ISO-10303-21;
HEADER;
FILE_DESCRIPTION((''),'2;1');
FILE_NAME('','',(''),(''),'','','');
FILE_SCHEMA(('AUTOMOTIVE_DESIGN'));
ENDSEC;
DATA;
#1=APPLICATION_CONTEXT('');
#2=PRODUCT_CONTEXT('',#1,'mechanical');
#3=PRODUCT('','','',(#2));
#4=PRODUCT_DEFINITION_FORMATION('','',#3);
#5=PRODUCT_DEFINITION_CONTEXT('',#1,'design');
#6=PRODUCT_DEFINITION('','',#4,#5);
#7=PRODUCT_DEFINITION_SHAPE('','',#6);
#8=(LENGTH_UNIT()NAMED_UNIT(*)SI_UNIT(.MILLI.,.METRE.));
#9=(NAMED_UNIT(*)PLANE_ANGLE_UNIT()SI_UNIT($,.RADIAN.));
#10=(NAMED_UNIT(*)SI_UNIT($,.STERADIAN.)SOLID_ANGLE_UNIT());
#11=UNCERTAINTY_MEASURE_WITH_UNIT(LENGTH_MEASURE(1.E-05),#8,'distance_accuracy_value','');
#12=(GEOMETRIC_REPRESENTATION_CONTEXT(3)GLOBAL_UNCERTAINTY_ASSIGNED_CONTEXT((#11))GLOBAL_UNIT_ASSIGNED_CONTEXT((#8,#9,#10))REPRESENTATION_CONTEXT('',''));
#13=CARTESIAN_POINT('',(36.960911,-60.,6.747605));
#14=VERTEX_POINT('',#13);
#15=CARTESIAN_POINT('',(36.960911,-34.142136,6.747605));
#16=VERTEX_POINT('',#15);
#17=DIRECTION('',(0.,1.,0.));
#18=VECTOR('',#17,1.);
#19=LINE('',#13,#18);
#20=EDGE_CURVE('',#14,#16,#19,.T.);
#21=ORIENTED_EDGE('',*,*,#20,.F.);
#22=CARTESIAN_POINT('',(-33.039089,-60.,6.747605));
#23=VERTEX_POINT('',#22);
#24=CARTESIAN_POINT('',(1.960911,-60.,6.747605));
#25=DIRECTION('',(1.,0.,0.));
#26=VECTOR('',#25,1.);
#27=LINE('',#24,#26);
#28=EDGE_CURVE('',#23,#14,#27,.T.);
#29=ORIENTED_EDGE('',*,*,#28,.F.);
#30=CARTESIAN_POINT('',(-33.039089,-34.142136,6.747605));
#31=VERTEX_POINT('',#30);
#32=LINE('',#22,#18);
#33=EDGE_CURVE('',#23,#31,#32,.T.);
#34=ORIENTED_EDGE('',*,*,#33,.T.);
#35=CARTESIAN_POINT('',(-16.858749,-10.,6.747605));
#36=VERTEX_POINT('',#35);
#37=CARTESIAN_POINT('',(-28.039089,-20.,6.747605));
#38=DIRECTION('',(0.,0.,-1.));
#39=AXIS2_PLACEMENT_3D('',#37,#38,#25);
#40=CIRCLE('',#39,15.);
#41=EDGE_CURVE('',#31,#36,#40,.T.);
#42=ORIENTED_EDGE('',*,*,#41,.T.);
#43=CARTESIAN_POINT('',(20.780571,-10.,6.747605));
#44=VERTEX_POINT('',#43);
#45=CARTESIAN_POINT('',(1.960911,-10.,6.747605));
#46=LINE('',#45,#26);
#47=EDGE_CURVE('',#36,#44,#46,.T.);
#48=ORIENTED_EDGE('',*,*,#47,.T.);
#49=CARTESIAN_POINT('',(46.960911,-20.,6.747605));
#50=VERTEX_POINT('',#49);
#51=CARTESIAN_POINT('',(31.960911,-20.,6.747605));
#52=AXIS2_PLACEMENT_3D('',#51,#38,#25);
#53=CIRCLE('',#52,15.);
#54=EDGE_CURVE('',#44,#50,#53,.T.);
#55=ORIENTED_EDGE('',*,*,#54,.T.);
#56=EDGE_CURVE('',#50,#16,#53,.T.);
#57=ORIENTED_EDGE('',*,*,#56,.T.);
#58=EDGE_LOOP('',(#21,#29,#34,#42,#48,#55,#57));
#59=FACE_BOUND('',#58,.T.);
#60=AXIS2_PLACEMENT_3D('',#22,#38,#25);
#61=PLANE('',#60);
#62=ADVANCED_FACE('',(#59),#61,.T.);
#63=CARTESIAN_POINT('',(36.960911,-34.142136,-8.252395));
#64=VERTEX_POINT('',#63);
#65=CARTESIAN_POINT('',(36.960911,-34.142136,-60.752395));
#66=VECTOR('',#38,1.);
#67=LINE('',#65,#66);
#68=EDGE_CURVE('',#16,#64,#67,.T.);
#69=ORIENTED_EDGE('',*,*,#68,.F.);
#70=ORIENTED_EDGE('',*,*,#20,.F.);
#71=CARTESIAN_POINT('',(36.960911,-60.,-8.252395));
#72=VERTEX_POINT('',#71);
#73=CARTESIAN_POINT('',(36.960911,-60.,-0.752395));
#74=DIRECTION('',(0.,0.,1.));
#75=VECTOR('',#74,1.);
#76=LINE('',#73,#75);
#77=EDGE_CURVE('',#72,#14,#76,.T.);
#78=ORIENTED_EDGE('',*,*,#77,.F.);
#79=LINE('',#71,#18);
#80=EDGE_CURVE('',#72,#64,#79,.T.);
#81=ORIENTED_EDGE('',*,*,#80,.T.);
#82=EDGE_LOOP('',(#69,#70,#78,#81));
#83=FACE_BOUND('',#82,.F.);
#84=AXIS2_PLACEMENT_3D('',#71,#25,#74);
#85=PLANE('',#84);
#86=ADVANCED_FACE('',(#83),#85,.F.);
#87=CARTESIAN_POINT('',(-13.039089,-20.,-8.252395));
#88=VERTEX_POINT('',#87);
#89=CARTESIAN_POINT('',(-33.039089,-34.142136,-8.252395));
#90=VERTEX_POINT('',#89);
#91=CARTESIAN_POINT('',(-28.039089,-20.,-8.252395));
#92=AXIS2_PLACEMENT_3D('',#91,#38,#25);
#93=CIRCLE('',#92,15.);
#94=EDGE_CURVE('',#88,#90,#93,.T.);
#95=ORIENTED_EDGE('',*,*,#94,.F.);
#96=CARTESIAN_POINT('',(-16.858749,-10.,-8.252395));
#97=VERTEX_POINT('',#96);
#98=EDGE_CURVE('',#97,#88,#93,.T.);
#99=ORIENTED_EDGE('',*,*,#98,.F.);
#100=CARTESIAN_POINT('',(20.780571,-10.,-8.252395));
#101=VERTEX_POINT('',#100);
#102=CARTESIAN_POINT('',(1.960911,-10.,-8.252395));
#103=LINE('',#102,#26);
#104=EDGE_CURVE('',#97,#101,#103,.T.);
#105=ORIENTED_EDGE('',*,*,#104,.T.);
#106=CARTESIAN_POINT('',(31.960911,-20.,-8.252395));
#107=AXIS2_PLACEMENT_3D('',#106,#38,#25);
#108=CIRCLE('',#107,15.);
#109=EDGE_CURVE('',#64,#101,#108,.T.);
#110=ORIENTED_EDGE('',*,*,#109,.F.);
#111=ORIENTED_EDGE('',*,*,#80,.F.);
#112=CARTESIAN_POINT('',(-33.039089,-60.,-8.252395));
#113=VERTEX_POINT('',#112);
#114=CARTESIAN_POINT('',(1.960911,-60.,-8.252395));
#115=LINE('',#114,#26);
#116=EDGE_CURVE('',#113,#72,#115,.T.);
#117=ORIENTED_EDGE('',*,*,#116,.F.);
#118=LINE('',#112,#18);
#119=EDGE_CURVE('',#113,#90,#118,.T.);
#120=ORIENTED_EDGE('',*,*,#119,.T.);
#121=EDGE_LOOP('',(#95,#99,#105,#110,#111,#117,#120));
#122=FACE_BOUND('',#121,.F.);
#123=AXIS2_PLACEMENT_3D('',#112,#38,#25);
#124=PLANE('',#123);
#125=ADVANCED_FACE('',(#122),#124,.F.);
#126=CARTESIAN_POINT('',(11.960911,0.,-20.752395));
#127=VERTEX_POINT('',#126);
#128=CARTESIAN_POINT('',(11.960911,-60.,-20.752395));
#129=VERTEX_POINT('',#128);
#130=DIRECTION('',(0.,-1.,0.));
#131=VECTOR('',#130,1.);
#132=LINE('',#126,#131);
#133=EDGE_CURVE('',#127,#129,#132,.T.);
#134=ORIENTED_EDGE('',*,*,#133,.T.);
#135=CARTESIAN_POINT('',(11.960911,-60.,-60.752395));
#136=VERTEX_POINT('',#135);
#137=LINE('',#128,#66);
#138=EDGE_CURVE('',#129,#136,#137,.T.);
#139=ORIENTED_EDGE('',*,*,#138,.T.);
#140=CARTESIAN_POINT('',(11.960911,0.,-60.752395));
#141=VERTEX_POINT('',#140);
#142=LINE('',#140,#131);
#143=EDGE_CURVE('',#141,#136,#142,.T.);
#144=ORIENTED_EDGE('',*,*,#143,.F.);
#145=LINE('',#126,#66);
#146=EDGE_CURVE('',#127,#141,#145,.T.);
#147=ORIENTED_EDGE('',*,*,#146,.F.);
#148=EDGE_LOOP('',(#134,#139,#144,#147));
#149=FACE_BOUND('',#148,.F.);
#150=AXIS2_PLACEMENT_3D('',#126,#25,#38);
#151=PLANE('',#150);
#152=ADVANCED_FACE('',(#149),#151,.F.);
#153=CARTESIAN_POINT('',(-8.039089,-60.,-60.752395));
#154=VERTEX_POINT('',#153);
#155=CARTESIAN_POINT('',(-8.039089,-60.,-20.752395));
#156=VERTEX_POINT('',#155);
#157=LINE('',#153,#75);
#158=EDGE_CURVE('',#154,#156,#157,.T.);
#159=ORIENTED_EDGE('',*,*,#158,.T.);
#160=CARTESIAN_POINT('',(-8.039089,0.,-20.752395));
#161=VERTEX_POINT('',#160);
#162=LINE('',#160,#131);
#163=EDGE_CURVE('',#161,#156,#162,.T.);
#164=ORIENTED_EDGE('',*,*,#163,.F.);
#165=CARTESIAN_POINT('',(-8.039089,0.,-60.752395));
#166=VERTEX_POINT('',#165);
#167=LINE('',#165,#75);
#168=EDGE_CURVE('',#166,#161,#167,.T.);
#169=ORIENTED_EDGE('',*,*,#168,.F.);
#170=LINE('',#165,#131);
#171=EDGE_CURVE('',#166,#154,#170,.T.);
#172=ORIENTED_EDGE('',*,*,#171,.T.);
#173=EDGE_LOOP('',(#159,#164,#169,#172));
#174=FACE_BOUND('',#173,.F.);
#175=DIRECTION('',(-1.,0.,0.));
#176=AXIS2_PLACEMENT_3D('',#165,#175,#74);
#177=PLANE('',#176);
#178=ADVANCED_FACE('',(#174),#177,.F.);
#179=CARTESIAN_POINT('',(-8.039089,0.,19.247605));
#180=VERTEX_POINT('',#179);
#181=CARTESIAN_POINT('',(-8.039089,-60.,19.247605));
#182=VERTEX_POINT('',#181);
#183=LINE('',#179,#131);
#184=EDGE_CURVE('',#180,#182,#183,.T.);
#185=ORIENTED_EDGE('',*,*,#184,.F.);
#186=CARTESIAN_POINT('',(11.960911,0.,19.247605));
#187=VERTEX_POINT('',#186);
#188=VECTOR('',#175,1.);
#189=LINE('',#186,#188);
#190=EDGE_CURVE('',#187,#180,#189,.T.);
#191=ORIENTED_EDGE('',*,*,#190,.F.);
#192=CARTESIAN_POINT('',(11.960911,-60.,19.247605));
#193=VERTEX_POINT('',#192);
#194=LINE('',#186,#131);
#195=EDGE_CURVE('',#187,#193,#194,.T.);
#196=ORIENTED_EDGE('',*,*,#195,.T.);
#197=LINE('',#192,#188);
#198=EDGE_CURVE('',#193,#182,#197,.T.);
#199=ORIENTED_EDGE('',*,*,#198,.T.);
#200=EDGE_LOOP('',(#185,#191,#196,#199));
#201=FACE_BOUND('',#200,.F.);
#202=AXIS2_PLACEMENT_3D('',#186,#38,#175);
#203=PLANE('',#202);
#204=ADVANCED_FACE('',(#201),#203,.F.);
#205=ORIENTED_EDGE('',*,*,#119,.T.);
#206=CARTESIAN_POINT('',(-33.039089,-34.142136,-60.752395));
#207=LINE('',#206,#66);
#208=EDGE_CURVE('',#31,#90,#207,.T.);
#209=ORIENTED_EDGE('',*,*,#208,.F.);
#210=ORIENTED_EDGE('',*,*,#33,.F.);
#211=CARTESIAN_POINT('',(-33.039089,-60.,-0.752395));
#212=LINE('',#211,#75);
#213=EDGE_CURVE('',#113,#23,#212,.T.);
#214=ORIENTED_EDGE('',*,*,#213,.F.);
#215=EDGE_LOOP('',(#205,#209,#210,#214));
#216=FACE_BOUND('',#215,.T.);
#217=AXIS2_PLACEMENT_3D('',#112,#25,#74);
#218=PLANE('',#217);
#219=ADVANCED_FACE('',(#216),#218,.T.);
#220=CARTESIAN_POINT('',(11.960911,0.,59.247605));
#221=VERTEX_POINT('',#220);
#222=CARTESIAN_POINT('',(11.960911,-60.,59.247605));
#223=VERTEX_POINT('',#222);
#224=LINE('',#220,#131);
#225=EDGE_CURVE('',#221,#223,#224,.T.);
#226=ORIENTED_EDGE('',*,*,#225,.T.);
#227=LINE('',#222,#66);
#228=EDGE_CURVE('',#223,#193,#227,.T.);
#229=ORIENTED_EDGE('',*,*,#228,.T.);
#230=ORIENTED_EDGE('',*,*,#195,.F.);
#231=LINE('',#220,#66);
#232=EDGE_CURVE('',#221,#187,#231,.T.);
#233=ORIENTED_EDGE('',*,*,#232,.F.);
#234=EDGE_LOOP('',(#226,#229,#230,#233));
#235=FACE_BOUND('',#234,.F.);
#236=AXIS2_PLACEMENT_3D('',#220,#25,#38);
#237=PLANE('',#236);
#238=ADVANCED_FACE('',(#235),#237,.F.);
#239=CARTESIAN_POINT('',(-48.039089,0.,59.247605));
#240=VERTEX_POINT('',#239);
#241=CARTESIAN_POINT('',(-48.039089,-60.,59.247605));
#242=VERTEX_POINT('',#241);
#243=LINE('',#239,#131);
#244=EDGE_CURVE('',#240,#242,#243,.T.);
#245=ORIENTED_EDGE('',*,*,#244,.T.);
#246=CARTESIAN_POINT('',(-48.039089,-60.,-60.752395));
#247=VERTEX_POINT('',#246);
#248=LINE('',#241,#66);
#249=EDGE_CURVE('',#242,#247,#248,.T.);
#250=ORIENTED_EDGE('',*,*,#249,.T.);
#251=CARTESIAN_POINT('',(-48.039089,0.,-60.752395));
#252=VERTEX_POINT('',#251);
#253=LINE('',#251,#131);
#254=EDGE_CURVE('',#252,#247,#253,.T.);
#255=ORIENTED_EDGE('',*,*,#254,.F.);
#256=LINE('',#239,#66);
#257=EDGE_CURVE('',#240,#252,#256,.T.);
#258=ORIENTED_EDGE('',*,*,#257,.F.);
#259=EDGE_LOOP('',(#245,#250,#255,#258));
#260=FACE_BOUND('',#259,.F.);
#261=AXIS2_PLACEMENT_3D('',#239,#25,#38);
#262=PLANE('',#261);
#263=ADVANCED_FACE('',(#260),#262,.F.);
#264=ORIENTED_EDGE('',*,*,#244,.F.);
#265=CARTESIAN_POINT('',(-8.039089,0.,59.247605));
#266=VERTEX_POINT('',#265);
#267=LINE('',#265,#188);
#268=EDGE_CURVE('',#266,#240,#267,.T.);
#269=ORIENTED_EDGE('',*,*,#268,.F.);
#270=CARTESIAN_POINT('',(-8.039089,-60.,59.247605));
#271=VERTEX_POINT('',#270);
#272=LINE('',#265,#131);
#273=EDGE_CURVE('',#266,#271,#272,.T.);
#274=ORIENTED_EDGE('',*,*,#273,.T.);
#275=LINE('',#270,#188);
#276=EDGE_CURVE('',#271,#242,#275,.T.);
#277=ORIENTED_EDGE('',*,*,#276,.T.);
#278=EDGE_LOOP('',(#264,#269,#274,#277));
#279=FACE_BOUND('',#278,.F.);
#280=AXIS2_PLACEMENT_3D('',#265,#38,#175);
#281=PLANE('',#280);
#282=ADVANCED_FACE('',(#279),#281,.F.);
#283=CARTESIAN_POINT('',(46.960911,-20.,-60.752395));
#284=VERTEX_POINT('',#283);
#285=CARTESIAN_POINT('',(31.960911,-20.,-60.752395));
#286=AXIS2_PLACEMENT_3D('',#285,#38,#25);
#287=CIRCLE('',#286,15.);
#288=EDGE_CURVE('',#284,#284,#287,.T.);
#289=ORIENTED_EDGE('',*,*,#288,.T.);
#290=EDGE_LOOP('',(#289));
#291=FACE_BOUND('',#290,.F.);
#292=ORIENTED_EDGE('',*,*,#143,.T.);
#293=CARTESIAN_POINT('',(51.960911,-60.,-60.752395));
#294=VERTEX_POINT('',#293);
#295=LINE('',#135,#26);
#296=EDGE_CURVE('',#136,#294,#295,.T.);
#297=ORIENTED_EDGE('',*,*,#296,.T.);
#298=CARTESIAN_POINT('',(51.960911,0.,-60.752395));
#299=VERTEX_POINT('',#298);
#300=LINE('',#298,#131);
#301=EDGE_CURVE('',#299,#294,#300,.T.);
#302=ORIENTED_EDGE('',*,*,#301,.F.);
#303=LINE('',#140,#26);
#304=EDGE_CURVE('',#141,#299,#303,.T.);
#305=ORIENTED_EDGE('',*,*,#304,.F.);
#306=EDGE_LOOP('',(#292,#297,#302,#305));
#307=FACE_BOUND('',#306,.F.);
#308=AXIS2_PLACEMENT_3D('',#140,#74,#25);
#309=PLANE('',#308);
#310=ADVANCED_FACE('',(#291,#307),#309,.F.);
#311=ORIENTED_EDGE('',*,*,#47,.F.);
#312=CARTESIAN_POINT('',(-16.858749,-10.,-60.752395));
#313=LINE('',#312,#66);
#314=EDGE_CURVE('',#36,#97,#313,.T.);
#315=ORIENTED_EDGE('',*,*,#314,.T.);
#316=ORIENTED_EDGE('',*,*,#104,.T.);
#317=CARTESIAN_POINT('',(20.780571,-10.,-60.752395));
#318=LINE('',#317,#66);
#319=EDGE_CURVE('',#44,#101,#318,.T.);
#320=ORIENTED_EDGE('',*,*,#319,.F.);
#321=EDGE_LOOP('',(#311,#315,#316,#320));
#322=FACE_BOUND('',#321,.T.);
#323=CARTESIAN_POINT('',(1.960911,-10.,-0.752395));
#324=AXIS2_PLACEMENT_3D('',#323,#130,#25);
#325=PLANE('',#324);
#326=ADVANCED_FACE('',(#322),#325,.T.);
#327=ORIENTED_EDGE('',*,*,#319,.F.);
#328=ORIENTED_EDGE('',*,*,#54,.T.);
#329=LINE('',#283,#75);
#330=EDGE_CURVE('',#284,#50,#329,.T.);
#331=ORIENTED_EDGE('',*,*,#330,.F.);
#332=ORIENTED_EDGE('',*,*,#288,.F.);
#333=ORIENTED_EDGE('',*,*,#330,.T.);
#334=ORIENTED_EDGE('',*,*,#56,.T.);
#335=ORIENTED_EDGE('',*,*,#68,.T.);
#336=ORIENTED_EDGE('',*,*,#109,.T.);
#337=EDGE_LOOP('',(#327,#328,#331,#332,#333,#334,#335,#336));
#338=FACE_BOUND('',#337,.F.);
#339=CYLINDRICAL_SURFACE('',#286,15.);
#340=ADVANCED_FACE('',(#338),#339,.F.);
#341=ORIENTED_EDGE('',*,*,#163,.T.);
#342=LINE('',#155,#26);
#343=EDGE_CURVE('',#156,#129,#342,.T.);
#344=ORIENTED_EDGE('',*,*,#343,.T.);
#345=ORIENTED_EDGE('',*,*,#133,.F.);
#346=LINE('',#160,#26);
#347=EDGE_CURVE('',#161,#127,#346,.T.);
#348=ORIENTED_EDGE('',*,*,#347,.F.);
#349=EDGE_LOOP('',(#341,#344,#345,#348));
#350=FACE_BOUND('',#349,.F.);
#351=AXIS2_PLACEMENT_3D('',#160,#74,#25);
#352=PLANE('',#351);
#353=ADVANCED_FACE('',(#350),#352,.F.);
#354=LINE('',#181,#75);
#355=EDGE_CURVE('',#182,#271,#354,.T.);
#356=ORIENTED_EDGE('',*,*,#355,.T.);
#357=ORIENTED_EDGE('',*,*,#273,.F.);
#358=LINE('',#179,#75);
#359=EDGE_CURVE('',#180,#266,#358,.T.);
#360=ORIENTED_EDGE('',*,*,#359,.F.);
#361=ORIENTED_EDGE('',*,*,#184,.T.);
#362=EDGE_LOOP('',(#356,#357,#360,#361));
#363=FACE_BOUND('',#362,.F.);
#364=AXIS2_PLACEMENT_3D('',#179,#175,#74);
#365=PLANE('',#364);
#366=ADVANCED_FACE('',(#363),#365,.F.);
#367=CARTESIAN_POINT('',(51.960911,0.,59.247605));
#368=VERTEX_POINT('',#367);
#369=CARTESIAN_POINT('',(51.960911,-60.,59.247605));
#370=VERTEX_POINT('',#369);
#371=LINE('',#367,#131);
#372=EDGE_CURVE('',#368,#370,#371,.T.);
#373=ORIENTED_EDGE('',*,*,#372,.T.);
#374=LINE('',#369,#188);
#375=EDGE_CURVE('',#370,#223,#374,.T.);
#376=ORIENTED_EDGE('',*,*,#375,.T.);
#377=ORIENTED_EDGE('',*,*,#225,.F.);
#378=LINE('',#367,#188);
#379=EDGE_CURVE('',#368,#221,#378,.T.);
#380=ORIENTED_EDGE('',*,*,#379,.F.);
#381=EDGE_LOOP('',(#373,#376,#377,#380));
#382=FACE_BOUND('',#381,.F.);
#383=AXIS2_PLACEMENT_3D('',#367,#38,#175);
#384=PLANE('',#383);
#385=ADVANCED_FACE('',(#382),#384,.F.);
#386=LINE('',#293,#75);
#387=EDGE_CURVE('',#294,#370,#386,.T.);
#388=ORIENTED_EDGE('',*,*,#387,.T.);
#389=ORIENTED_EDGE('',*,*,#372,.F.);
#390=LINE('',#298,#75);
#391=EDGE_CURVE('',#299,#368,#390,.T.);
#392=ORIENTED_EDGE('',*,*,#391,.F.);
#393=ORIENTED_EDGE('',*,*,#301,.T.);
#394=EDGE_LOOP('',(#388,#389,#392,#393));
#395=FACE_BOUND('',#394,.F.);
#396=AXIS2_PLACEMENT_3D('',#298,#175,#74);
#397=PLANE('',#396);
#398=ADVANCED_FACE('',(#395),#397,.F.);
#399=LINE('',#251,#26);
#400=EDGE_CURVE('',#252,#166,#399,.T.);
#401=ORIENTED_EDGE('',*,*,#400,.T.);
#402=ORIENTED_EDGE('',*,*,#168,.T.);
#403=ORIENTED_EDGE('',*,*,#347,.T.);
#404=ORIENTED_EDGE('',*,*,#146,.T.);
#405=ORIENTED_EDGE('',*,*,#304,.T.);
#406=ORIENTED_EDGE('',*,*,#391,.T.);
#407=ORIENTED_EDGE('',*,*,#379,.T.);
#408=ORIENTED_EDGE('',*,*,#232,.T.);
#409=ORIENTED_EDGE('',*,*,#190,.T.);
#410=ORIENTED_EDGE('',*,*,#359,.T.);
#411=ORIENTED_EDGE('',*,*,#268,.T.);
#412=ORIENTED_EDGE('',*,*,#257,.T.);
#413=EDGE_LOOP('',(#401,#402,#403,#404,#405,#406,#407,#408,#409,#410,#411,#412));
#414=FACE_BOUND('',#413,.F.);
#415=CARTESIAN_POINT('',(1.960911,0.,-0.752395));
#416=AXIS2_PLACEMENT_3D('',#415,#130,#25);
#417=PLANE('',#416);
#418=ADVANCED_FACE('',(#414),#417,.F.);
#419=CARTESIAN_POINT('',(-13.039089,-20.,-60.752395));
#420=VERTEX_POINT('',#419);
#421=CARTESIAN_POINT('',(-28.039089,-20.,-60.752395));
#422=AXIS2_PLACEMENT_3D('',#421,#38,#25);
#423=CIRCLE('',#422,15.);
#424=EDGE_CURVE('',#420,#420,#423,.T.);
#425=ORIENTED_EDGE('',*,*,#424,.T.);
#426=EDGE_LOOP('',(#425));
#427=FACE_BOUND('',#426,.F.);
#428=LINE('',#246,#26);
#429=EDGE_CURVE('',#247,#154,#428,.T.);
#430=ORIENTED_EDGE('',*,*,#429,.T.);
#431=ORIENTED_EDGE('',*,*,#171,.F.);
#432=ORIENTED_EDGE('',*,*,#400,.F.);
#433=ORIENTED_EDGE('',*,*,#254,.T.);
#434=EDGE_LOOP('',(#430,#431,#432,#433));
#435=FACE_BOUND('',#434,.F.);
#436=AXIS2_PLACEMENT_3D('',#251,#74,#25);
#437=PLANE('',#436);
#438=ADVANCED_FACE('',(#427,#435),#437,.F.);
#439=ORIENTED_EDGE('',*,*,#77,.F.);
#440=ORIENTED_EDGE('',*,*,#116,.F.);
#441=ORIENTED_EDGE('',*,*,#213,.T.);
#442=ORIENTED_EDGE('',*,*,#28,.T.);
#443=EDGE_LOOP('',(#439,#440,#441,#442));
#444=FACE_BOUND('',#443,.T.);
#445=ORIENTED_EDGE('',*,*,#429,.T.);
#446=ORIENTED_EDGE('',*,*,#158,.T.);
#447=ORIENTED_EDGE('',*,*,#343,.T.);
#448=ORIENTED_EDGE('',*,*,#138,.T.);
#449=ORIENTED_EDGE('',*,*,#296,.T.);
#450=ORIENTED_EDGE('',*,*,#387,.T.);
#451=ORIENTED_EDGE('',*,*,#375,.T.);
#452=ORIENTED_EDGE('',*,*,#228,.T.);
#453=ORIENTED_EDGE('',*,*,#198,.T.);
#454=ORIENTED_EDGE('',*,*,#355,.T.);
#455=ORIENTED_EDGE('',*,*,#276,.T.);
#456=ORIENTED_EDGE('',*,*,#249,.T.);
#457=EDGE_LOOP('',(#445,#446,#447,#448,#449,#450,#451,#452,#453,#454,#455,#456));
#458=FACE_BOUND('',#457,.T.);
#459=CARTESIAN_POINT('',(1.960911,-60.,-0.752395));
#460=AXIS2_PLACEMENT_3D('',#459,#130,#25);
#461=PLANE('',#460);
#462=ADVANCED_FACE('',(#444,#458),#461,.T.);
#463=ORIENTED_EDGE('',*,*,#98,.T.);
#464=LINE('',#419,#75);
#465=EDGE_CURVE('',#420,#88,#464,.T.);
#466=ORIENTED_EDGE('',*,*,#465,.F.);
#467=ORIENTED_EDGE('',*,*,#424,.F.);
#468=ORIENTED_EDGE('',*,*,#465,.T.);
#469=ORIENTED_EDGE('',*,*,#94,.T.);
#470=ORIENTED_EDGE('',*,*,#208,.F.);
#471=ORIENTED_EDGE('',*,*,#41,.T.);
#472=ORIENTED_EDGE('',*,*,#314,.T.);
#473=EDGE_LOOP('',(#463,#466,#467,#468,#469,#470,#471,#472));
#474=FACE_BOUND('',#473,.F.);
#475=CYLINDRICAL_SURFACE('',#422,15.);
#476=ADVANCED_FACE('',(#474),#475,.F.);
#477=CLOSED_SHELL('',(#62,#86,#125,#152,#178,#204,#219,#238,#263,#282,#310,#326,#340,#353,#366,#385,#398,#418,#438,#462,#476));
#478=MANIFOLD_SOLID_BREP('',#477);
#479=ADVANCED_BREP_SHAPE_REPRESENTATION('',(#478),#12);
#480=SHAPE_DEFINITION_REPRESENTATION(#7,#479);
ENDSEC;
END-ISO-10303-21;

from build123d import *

# Parameters (mm, degrees)
F1_DEPTH = 60
F2_W     = 70
F2_H     = 15
F3_DEPTH = 50
F4_R     = 15
F5_R     = 15
F6_DEPTH = 67.5


with BuildPart() as f1:
    # F0 (on Front) → F1 (new body)
    with BuildSketch(Plane.XZ):
        Polygon((-8.039089, 59.247605), (-48.039089, 59.247605), (-48.039089, -60.752395), (-8.039089, -60.752395), (-8.039089, -20.752395), (11.960911, -20.752395), (11.960911, -60.752395), (51.960911, -60.752395), (51.960911, 59.247605), (11.960911, 59.247605), (11.960911, 19.247605), (-8.039089, 19.247605), align=None)
    extrude(amount=F1_DEPTH)

    # F2 (on face) → F3 (cut)
    with BuildSketch(Plane.XZ.offset(60)):
        with Locations((1.960911, -0.752395)):
            Rectangle(F2_W, F2_H)
    extrude(amount=-F3_DEPTH, mode=Mode.SUBTRACT)

    # F4 (on face) + F5 (on face) → F6 (cut)
    with BuildSketch(Plane(origin=(0, 0, -60.752395), x_dir=(1, 0, 0), z_dir=(0, 0, -1))):
        with Locations((-28.039089, 20)):
            Circle(F4_R)
    with BuildSketch(Plane(origin=(0, 0, -60.752395), x_dir=(1, 0, 0), z_dir=(0, 0, -1))):
        with Locations((31.960911, 20)):
            Circle(F5_R)
    extrude(amount=-F6_DEPTH, mode=Mode.SUBTRACT)


solid = f1.part
